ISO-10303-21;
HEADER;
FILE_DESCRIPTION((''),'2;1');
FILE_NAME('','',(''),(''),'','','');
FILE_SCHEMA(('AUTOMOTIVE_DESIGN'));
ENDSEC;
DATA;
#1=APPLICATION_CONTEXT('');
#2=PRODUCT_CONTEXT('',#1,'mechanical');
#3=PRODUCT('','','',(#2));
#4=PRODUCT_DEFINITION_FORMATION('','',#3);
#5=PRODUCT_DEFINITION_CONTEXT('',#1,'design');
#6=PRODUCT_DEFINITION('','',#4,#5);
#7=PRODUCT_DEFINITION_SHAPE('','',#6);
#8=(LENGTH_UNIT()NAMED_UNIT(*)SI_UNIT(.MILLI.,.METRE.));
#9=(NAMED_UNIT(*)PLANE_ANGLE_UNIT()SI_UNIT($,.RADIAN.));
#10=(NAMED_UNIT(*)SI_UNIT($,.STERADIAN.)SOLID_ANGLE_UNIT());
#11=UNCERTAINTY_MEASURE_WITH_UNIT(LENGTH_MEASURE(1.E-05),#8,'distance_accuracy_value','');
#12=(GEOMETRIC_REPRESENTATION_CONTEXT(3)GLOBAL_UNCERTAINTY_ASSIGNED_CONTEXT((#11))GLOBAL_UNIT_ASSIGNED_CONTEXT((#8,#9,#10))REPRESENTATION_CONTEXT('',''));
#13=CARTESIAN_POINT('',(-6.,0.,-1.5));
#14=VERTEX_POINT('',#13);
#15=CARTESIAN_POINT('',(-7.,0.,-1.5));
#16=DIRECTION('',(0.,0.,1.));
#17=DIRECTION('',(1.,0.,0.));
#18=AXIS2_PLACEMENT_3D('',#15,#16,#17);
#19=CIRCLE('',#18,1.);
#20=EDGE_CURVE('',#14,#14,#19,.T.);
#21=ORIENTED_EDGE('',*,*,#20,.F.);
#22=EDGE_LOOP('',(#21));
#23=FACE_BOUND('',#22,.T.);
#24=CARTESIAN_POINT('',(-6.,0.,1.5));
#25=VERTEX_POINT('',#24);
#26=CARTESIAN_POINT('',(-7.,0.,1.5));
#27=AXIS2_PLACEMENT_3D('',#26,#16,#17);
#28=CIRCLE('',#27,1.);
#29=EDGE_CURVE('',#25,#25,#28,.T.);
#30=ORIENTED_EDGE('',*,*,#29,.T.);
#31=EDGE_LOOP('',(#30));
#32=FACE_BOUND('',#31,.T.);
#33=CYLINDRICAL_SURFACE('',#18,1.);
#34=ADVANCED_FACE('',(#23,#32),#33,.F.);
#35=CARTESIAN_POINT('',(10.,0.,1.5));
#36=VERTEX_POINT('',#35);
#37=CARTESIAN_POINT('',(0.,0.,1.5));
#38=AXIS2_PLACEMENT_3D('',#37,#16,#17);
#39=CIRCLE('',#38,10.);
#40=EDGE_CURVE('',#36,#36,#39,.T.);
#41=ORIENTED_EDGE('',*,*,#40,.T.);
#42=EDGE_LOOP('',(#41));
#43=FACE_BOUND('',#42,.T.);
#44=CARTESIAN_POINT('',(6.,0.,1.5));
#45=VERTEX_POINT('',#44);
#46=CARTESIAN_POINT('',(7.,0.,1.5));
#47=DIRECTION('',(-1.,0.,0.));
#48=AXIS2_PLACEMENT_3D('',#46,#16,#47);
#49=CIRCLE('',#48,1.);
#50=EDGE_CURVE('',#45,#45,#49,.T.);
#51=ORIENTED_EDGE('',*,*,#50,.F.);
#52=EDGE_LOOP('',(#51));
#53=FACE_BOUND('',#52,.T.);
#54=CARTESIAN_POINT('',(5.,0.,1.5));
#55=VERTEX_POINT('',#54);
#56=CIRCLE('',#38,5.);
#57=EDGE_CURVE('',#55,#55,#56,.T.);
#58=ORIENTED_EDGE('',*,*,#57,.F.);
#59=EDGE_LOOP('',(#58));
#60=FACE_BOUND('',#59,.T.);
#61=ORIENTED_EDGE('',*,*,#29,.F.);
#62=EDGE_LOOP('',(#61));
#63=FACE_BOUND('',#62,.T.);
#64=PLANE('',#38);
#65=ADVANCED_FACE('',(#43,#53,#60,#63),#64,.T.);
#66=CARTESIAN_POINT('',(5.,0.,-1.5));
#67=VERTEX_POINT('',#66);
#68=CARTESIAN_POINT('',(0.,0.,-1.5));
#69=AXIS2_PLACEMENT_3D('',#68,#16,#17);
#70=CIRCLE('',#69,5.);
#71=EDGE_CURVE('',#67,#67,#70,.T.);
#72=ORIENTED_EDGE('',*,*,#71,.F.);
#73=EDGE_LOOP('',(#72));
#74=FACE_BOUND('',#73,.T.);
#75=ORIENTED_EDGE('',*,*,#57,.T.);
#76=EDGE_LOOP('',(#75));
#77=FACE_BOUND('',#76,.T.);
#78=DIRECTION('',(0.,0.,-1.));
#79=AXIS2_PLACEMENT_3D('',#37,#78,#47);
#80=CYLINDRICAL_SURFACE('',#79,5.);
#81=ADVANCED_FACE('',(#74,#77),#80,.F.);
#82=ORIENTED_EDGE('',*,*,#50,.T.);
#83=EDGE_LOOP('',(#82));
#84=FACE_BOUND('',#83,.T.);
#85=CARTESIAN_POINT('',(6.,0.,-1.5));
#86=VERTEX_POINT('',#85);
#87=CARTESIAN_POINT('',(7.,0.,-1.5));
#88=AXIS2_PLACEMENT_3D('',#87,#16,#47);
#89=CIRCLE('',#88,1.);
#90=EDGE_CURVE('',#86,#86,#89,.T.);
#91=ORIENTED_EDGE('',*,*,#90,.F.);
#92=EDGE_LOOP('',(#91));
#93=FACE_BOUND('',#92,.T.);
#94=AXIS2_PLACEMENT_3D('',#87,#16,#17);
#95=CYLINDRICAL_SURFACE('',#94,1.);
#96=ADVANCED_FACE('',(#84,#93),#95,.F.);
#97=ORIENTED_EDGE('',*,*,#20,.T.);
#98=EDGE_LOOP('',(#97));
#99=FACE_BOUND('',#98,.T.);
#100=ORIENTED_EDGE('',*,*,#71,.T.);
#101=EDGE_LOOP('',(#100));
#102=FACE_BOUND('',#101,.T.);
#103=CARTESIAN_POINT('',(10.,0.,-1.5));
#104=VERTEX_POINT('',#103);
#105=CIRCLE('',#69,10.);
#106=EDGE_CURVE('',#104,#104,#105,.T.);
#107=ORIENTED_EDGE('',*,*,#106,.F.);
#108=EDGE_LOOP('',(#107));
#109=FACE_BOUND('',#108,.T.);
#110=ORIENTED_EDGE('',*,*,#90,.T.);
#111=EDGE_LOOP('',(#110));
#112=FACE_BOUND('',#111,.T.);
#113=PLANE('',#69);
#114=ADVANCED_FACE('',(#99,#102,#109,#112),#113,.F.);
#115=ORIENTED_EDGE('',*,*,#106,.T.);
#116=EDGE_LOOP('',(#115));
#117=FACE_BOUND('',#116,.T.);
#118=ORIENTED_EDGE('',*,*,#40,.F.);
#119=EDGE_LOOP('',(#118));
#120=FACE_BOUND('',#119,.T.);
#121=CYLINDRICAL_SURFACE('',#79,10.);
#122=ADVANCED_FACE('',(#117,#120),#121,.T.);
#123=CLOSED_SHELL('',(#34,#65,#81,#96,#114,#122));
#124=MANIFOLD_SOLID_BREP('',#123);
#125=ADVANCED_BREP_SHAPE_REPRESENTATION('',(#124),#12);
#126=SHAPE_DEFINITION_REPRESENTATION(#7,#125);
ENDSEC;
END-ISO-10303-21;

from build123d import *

# Parameters (mm, degrees)
SKETCH1_R               = 10
SKETCH1_R_2             = 5
BOSS_EXTRUDE1_DEPTH     = 1.5
SKETCH3_R               = 1
ALIGNMENTHOLE_CUT_DEPTH = 15.456832295
CIRPATTERN1_COUNT       = 2


with BuildPart() as part:
    # Sketch1 → Boss-Extrude1 (new, symmetric)
    with BuildSketch(Plane.XY):
        Circle(SKETCH1_R)
        Circle(SKETCH1_R_2, mode=Mode.SUBTRACT)
    extrude(amount=BOSS_EXTRUDE1_DEPTH, both=True)

    # Sketch3 → AlignmentHole-Cut (cut, through all)
    with BuildSketch(Plane.XY.offset(1.5)):
        with Locations((-7, 0)):
            Circle(SKETCH3_R)
    alignmenthole_cut = extrude(amount=-ALIGNMENTHOLE_CUT_DEPTH, mode=Mode.SUBTRACT)

    # CirPattern1: AlignmentHole-Cut ×2 about axis
    cirpattern1_axis = Axis((0, 0, 0), (0, 0, 1))
    for i in range(1, CIRPATTERN1_COUNT):
        add(alignmenthole_cut.rotate(cirpattern1_axis, i * 360 / CIRPATTERN1_COUNT), mode=Mode.SUBTRACT)


solid = part.part
